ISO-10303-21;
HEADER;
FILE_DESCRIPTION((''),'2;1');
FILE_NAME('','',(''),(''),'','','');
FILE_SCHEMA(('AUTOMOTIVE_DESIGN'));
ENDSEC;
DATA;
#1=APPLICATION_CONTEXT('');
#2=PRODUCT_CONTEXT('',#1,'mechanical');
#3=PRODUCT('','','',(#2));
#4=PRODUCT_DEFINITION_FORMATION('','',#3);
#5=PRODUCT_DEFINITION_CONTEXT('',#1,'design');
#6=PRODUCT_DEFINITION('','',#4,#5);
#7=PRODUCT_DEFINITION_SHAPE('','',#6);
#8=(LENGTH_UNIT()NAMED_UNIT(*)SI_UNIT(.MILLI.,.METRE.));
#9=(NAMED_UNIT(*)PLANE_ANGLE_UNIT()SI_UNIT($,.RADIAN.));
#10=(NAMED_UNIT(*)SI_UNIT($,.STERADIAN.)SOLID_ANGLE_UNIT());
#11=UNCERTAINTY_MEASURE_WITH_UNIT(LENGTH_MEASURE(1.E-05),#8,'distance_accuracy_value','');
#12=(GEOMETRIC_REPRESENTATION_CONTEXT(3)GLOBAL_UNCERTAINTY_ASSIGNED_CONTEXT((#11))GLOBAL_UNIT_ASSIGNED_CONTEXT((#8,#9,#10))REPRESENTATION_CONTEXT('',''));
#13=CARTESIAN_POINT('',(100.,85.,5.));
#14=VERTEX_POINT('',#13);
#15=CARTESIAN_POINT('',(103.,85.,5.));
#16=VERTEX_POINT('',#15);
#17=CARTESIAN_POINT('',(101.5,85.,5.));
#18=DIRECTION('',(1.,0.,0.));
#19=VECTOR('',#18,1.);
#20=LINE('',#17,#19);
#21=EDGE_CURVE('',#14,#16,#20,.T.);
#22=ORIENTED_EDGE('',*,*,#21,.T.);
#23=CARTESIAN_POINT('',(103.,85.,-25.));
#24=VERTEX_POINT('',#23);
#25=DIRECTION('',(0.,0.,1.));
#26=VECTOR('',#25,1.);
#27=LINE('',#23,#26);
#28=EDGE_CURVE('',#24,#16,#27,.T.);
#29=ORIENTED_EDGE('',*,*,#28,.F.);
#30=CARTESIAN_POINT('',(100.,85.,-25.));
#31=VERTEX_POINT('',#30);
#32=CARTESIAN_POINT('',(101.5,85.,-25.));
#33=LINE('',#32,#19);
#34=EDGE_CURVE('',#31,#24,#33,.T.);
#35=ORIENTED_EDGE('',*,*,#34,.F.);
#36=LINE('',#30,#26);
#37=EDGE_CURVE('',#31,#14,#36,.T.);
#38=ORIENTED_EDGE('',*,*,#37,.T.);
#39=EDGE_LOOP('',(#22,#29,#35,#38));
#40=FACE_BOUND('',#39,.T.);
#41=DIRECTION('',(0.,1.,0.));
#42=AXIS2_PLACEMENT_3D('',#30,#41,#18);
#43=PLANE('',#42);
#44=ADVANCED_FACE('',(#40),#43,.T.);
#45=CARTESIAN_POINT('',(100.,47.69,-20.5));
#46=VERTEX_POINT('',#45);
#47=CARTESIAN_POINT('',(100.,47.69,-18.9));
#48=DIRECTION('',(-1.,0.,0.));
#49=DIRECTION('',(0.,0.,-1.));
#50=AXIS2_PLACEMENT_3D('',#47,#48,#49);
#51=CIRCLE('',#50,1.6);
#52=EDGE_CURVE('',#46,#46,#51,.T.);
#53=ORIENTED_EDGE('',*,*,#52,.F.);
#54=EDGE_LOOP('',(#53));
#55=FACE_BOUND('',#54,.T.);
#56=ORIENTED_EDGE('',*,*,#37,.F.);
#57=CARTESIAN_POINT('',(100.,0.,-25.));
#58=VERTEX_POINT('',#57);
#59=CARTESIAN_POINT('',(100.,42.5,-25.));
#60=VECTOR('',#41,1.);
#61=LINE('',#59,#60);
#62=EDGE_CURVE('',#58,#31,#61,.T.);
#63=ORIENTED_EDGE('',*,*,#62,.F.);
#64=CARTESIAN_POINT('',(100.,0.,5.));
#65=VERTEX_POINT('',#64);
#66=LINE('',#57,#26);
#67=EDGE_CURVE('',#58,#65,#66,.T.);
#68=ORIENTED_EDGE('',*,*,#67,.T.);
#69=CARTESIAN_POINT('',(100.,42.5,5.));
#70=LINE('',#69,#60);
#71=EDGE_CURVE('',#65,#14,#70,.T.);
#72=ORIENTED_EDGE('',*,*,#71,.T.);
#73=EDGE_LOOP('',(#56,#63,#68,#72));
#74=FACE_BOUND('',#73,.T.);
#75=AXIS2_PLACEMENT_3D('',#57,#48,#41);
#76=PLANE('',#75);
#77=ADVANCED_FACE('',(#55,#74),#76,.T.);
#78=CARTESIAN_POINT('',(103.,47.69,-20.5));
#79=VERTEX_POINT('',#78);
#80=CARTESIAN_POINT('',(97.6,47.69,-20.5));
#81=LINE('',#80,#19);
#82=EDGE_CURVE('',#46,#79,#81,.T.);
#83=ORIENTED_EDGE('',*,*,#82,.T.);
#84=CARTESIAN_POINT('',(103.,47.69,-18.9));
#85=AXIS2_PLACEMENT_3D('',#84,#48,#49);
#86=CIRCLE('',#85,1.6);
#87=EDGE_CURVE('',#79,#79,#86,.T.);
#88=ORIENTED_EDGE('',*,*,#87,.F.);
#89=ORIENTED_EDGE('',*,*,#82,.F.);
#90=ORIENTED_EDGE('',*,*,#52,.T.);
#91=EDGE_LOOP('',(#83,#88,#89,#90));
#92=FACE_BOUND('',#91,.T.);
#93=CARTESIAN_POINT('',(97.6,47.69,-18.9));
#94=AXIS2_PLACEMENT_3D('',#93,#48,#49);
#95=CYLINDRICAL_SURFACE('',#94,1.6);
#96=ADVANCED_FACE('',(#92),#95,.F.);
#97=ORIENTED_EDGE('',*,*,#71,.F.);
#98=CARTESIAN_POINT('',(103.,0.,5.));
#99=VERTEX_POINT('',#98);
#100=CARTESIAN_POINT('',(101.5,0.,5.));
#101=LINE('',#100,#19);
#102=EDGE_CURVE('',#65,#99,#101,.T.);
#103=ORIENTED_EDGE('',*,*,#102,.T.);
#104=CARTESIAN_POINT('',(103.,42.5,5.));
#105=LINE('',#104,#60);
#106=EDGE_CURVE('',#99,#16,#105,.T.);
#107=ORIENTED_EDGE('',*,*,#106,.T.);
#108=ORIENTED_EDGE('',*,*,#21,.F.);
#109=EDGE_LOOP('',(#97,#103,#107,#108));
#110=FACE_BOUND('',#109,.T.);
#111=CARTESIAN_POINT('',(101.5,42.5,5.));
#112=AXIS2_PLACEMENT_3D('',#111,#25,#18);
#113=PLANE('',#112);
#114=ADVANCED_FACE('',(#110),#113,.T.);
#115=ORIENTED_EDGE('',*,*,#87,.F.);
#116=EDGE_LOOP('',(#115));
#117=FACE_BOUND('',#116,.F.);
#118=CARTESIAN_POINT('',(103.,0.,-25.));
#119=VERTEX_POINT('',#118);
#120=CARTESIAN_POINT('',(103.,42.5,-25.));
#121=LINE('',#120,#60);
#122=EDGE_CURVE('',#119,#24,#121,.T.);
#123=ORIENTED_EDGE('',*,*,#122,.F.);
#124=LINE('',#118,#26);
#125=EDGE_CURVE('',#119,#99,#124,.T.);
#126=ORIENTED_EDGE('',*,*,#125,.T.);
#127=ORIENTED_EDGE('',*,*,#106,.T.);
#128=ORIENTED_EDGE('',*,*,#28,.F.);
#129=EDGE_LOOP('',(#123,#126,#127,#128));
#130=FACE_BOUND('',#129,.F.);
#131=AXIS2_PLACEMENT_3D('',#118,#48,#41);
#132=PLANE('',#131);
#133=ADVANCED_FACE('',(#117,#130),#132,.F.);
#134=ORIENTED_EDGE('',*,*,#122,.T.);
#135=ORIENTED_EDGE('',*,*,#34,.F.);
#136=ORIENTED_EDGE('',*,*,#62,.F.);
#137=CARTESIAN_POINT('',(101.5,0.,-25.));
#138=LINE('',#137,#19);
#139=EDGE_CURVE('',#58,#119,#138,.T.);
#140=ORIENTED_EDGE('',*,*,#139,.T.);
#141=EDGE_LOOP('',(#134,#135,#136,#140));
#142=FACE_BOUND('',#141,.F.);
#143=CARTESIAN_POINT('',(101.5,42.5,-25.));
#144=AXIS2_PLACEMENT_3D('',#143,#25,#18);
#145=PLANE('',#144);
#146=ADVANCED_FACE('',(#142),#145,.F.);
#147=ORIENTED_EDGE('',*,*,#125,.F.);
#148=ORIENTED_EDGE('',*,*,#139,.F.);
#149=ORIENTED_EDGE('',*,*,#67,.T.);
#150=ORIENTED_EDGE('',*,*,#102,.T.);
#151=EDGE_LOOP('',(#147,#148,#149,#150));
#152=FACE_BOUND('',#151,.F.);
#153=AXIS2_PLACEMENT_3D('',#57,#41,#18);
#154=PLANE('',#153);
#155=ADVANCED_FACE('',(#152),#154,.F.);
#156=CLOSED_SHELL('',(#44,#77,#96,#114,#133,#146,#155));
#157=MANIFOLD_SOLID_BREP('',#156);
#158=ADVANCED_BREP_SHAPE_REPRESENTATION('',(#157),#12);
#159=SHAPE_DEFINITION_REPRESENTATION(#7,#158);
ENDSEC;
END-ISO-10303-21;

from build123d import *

# Parameters (mm, degrees)
CYLINDER028_R           = 1.6
CYLINDER028_DEPTH       = 10
CYLINDER028_PITCH_ANGLE = 90
BOX003_W                = 3
BOX003_H                = 85
BOX003_DEPTH            = 30


with BuildPart() as back_hole:
    # Cylinder028 → Cylinder028 (new body)
    with BuildSketch(Plane.XY):
        Circle(CYLINDER028_R)
    extrude(amount=CYLINDER028_DEPTH)


with BuildPart() as back_hole_1:
    # Cylinder028 pitch: moved
    add(back_hole.part.rotate(Axis((0, 0, 0), (0, 1, 0)), CYLINDER028_PITCH_ANGLE))


with BuildPart() as back_hole_2:
    # Cylinder028 placement: moved
    add(back_hole_1.part.moved(Location((97.6, 47.69, -18.9))))


with BuildPart() as final_back:
    # Box003 → Box003 (new body)
    with BuildSketch(Plane(origin=(100, 0, -25), x_dir=(1, 0, 0), z_dir=(0, 0, 1))):
        with Locations((1.5, 42.5)):
            Rectangle(BOX003_W, BOX003_H)
    extrude(amount=BOX003_DEPTH)

    # Cut025: cut back hole
    add(back_hole_2.part, mode=Mode.SUBTRACT)


solid = final_back.part
